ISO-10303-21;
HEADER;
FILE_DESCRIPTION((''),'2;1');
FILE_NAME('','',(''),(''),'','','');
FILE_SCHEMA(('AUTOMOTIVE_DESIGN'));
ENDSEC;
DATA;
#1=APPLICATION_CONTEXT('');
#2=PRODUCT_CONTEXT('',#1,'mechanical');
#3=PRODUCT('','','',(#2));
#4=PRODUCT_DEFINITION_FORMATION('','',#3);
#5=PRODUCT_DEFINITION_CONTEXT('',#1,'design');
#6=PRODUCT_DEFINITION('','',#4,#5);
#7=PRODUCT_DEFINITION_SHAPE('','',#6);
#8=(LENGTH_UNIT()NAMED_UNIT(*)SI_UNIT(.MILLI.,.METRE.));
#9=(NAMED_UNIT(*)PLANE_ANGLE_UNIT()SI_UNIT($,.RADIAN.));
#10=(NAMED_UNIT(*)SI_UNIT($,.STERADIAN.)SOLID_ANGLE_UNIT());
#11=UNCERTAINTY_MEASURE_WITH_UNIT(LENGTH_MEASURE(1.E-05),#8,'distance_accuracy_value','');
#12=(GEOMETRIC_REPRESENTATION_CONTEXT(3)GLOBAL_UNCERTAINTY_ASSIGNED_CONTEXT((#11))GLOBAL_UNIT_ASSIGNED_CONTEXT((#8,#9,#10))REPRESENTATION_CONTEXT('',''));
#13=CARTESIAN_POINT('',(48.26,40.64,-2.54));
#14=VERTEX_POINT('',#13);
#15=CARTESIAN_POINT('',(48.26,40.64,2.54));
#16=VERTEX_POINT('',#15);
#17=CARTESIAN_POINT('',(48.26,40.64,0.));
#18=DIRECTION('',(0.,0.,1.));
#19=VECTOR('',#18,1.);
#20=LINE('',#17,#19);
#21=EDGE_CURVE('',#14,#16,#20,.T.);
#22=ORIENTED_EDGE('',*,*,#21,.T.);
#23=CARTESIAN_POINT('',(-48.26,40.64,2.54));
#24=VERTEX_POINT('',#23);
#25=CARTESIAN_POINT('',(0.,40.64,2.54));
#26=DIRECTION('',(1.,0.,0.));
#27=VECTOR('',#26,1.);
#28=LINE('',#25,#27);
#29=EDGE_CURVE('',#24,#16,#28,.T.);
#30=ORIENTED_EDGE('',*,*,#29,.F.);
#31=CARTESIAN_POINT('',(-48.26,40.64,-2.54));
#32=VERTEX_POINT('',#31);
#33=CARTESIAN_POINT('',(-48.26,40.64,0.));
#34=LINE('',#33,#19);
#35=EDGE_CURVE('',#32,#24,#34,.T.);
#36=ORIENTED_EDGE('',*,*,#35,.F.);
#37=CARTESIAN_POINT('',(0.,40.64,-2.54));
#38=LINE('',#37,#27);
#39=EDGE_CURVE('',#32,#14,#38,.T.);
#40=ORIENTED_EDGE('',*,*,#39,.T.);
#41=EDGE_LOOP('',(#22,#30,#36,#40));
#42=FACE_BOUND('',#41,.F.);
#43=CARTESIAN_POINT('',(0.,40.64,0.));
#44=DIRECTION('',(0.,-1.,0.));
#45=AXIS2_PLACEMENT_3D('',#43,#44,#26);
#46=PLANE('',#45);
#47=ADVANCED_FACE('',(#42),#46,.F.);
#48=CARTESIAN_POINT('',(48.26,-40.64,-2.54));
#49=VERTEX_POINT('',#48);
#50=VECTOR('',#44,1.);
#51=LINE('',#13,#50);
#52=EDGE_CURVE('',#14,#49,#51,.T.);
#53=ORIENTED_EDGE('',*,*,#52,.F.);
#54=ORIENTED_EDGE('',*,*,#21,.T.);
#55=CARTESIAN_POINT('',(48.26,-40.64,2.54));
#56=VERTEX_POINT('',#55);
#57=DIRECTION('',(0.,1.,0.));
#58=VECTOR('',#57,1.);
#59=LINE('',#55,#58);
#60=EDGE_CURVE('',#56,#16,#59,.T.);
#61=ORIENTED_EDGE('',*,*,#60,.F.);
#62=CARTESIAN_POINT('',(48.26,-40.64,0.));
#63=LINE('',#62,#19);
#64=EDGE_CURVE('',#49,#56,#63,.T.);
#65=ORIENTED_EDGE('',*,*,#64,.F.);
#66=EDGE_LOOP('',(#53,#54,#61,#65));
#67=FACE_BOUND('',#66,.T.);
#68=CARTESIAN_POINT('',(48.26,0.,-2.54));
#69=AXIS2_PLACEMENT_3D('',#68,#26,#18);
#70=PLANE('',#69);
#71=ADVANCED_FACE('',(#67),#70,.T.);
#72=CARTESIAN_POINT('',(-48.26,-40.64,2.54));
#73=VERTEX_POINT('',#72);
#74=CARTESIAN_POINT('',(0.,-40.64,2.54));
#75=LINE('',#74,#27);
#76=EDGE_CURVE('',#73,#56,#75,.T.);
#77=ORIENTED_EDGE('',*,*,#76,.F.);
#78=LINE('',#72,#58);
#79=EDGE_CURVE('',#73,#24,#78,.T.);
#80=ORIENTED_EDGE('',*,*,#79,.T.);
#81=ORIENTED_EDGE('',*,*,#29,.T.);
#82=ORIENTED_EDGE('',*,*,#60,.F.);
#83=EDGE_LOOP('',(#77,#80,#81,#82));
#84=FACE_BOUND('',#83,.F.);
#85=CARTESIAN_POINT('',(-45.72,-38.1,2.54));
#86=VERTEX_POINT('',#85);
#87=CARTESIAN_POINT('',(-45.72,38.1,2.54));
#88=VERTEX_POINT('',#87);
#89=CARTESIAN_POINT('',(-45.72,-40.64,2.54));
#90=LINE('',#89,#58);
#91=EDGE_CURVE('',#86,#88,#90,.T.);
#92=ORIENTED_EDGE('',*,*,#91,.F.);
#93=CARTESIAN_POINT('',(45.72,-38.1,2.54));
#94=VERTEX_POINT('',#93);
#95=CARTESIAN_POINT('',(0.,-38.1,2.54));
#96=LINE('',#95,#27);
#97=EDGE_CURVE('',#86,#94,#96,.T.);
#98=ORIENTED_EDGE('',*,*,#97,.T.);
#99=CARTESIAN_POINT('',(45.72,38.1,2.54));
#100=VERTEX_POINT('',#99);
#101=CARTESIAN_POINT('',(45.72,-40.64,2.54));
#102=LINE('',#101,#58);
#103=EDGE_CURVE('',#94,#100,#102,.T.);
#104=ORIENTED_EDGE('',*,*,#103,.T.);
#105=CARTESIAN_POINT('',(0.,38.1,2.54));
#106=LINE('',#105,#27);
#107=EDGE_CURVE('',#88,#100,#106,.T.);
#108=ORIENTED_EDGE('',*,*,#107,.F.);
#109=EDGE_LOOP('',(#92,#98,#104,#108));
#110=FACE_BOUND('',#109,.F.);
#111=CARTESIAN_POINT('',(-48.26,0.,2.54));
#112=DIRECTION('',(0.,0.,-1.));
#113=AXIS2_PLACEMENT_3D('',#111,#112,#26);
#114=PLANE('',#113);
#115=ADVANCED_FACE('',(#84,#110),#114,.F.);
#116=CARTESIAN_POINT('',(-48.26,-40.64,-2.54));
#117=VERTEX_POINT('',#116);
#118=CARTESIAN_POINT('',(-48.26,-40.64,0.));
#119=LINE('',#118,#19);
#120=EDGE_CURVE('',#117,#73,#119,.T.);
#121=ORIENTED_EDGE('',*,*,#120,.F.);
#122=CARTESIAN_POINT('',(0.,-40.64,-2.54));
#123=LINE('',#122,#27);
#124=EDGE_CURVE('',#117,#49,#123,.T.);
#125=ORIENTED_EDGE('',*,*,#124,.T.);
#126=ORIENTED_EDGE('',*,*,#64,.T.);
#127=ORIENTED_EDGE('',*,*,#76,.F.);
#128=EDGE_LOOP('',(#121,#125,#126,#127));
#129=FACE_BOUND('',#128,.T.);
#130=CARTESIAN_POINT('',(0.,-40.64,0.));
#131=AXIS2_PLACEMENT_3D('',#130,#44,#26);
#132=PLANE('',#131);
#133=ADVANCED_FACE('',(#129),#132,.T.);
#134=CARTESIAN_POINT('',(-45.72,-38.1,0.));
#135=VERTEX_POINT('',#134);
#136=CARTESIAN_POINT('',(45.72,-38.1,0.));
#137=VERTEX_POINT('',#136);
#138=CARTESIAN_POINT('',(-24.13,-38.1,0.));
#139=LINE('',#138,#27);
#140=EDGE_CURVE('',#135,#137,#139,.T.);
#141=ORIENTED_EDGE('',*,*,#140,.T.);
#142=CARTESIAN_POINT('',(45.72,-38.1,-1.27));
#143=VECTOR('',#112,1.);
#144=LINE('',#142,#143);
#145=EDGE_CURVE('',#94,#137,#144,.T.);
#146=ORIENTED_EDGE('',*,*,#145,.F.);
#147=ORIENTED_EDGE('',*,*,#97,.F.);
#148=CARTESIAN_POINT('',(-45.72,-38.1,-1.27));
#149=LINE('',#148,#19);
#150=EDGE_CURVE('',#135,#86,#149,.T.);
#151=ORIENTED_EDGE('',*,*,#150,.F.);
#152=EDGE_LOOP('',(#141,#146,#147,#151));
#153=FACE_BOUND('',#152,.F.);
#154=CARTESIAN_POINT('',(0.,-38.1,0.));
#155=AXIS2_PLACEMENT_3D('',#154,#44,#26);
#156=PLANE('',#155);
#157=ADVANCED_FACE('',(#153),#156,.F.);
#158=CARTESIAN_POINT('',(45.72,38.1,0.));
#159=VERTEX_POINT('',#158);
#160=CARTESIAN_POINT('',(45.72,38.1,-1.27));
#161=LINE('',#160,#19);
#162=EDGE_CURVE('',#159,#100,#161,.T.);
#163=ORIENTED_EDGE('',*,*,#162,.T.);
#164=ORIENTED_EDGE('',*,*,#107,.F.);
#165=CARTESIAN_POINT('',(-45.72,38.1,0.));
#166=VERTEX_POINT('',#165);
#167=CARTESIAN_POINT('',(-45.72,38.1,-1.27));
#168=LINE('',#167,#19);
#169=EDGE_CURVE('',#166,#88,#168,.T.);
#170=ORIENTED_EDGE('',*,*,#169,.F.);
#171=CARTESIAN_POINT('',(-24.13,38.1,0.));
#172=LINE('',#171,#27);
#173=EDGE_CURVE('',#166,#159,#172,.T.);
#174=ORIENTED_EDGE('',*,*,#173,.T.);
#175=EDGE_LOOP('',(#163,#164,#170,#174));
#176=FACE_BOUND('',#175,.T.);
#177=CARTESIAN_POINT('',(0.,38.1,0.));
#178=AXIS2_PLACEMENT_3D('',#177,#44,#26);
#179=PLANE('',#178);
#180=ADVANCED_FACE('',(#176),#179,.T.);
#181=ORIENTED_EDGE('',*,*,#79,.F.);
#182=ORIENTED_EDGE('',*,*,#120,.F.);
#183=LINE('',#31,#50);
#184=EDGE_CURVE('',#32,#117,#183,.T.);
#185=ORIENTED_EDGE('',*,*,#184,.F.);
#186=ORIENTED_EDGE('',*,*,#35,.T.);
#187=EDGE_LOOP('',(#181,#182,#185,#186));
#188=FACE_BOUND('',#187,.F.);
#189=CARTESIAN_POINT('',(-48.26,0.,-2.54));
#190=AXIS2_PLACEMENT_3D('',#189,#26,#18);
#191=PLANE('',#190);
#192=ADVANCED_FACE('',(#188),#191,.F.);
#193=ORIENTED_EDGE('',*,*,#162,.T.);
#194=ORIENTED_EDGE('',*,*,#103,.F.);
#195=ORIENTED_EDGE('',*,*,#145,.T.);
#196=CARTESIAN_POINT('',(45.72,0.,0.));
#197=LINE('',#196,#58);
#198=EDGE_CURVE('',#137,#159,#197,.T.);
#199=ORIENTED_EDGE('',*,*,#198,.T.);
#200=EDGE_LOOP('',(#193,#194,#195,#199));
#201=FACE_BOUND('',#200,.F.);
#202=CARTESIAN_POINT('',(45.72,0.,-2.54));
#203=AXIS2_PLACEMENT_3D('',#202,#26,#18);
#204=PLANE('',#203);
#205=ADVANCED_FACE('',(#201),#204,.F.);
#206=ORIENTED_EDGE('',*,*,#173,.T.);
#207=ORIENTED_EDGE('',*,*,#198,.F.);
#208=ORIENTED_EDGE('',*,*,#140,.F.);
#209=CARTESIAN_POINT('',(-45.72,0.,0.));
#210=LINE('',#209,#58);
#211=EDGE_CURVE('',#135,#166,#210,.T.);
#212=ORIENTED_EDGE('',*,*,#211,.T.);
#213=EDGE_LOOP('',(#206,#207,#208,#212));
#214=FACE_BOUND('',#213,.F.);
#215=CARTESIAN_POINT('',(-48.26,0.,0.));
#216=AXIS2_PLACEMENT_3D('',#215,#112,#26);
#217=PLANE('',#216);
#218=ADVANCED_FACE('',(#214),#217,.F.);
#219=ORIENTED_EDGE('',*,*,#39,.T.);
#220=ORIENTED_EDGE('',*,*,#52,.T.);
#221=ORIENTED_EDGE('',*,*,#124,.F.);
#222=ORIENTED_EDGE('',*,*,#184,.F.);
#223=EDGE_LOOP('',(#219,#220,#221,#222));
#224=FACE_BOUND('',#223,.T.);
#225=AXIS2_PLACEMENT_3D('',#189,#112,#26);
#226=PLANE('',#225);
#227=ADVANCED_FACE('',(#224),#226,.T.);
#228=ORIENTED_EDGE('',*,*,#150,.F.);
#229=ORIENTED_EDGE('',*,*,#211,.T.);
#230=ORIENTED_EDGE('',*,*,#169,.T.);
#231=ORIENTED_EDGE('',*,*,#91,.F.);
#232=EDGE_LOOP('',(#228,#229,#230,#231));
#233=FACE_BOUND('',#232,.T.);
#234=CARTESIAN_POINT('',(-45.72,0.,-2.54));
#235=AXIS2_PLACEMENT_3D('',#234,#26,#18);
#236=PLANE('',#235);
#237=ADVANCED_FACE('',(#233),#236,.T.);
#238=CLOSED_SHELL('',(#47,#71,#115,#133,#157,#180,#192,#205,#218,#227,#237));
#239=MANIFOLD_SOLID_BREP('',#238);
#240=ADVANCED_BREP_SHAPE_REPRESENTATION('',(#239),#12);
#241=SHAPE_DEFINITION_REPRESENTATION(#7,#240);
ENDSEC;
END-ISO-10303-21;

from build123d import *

# Parameters (mm, degrees)
F0_W     = 96.52
F0_H     = 5.08
F1_DEPTH = 40.64
F2_T     = -2.54


with BuildPart() as f1:
    # F0 (on Front) → F1 (new body, symmetric)
    with BuildSketch(Plane.XZ):
        Rectangle(F0_W, F0_H)
    extrude(amount=F1_DEPTH, both=True)

    # F2
    f2_openings = [f1.faces().sort_by_distance(p)[0] for p in [
        (0, 0, 2.54),
    ]]
    offset(amount=F2_T, openings=f2_openings)


solid = f1.part
